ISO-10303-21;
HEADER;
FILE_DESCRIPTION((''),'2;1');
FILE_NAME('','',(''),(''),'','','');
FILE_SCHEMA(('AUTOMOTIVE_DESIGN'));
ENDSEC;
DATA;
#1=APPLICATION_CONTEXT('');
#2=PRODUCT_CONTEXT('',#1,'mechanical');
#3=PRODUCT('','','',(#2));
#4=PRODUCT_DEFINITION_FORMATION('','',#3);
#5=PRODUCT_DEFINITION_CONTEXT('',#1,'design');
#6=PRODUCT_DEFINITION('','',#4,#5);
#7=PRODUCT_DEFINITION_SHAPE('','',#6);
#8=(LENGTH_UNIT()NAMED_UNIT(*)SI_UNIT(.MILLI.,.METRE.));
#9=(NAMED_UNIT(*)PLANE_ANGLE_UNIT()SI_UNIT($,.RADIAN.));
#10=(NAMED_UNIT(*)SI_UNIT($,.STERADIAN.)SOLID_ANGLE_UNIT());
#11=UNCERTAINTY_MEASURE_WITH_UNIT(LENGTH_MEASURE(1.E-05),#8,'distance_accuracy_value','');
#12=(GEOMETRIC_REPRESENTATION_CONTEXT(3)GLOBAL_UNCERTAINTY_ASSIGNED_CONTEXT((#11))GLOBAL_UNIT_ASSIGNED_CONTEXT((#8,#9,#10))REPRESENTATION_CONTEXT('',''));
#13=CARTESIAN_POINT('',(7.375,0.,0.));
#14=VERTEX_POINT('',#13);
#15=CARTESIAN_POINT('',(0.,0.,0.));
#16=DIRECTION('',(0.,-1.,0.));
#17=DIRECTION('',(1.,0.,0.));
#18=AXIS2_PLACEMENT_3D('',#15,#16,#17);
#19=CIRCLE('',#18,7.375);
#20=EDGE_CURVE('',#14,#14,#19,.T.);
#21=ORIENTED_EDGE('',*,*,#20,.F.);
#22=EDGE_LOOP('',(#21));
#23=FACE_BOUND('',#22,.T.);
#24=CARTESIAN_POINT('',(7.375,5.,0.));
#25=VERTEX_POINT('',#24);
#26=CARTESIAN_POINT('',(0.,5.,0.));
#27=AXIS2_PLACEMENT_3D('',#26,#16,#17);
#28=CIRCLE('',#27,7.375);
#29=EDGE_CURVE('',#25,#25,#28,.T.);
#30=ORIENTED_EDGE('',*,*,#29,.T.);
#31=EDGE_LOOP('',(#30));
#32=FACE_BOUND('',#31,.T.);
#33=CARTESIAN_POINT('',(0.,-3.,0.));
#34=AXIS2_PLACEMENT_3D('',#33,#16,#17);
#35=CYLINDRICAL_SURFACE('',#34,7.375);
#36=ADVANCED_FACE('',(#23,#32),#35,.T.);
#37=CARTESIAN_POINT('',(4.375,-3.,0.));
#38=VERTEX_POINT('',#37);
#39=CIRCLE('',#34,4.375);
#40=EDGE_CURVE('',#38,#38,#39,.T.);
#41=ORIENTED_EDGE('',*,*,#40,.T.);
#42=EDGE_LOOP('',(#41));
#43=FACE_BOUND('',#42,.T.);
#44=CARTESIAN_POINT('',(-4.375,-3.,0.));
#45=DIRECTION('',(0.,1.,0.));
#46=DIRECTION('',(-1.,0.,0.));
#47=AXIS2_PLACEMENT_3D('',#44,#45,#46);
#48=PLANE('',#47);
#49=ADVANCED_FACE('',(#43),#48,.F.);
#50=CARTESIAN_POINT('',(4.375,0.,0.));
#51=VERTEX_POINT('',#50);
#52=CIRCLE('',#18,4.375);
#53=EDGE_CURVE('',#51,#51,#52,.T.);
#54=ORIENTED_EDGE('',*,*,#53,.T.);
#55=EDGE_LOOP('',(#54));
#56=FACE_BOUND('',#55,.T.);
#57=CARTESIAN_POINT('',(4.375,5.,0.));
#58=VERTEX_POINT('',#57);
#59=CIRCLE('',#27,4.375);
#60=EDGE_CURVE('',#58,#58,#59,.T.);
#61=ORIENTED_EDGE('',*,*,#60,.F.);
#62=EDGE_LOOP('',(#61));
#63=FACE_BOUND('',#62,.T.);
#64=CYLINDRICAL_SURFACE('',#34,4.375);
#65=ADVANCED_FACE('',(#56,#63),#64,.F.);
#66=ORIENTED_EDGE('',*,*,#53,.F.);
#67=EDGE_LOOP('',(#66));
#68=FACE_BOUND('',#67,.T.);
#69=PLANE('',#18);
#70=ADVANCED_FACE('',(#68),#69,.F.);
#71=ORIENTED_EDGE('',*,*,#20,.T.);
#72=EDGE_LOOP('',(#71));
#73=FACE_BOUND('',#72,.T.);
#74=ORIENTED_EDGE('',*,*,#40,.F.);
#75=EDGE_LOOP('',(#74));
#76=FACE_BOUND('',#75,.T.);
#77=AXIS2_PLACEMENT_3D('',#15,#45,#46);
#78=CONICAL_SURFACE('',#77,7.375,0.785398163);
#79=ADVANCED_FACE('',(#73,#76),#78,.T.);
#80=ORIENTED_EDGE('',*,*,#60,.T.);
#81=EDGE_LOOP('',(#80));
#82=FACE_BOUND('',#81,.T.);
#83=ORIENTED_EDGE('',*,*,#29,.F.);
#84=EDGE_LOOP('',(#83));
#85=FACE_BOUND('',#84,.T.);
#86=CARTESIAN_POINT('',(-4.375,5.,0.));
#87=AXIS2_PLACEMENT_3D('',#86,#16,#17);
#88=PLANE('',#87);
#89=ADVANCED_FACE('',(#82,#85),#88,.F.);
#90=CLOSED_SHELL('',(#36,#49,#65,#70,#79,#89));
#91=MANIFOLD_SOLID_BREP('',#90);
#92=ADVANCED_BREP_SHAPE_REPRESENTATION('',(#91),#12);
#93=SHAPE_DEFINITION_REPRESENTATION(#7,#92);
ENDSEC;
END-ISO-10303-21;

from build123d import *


with BuildPart() as part:
    # Sketch1 → Revolve1 (revolve)
    with BuildSketch(Plane.XY, mode=Mode.PRIVATE) as revolve1_sk:
        Polygon((0, 0), (-4.375, 0), (-4.375, 5), (-7.375, 5), (-7.375, 0), (-4.375, -3), (0, -3), align=None)
    revolve(revolve1_sk.sketch.rotate(Axis((0, -3, 0), (0, 1, 0)), 180), axis=Axis((0, -3, 0), (0, 1, 0)))


solid = part.part
